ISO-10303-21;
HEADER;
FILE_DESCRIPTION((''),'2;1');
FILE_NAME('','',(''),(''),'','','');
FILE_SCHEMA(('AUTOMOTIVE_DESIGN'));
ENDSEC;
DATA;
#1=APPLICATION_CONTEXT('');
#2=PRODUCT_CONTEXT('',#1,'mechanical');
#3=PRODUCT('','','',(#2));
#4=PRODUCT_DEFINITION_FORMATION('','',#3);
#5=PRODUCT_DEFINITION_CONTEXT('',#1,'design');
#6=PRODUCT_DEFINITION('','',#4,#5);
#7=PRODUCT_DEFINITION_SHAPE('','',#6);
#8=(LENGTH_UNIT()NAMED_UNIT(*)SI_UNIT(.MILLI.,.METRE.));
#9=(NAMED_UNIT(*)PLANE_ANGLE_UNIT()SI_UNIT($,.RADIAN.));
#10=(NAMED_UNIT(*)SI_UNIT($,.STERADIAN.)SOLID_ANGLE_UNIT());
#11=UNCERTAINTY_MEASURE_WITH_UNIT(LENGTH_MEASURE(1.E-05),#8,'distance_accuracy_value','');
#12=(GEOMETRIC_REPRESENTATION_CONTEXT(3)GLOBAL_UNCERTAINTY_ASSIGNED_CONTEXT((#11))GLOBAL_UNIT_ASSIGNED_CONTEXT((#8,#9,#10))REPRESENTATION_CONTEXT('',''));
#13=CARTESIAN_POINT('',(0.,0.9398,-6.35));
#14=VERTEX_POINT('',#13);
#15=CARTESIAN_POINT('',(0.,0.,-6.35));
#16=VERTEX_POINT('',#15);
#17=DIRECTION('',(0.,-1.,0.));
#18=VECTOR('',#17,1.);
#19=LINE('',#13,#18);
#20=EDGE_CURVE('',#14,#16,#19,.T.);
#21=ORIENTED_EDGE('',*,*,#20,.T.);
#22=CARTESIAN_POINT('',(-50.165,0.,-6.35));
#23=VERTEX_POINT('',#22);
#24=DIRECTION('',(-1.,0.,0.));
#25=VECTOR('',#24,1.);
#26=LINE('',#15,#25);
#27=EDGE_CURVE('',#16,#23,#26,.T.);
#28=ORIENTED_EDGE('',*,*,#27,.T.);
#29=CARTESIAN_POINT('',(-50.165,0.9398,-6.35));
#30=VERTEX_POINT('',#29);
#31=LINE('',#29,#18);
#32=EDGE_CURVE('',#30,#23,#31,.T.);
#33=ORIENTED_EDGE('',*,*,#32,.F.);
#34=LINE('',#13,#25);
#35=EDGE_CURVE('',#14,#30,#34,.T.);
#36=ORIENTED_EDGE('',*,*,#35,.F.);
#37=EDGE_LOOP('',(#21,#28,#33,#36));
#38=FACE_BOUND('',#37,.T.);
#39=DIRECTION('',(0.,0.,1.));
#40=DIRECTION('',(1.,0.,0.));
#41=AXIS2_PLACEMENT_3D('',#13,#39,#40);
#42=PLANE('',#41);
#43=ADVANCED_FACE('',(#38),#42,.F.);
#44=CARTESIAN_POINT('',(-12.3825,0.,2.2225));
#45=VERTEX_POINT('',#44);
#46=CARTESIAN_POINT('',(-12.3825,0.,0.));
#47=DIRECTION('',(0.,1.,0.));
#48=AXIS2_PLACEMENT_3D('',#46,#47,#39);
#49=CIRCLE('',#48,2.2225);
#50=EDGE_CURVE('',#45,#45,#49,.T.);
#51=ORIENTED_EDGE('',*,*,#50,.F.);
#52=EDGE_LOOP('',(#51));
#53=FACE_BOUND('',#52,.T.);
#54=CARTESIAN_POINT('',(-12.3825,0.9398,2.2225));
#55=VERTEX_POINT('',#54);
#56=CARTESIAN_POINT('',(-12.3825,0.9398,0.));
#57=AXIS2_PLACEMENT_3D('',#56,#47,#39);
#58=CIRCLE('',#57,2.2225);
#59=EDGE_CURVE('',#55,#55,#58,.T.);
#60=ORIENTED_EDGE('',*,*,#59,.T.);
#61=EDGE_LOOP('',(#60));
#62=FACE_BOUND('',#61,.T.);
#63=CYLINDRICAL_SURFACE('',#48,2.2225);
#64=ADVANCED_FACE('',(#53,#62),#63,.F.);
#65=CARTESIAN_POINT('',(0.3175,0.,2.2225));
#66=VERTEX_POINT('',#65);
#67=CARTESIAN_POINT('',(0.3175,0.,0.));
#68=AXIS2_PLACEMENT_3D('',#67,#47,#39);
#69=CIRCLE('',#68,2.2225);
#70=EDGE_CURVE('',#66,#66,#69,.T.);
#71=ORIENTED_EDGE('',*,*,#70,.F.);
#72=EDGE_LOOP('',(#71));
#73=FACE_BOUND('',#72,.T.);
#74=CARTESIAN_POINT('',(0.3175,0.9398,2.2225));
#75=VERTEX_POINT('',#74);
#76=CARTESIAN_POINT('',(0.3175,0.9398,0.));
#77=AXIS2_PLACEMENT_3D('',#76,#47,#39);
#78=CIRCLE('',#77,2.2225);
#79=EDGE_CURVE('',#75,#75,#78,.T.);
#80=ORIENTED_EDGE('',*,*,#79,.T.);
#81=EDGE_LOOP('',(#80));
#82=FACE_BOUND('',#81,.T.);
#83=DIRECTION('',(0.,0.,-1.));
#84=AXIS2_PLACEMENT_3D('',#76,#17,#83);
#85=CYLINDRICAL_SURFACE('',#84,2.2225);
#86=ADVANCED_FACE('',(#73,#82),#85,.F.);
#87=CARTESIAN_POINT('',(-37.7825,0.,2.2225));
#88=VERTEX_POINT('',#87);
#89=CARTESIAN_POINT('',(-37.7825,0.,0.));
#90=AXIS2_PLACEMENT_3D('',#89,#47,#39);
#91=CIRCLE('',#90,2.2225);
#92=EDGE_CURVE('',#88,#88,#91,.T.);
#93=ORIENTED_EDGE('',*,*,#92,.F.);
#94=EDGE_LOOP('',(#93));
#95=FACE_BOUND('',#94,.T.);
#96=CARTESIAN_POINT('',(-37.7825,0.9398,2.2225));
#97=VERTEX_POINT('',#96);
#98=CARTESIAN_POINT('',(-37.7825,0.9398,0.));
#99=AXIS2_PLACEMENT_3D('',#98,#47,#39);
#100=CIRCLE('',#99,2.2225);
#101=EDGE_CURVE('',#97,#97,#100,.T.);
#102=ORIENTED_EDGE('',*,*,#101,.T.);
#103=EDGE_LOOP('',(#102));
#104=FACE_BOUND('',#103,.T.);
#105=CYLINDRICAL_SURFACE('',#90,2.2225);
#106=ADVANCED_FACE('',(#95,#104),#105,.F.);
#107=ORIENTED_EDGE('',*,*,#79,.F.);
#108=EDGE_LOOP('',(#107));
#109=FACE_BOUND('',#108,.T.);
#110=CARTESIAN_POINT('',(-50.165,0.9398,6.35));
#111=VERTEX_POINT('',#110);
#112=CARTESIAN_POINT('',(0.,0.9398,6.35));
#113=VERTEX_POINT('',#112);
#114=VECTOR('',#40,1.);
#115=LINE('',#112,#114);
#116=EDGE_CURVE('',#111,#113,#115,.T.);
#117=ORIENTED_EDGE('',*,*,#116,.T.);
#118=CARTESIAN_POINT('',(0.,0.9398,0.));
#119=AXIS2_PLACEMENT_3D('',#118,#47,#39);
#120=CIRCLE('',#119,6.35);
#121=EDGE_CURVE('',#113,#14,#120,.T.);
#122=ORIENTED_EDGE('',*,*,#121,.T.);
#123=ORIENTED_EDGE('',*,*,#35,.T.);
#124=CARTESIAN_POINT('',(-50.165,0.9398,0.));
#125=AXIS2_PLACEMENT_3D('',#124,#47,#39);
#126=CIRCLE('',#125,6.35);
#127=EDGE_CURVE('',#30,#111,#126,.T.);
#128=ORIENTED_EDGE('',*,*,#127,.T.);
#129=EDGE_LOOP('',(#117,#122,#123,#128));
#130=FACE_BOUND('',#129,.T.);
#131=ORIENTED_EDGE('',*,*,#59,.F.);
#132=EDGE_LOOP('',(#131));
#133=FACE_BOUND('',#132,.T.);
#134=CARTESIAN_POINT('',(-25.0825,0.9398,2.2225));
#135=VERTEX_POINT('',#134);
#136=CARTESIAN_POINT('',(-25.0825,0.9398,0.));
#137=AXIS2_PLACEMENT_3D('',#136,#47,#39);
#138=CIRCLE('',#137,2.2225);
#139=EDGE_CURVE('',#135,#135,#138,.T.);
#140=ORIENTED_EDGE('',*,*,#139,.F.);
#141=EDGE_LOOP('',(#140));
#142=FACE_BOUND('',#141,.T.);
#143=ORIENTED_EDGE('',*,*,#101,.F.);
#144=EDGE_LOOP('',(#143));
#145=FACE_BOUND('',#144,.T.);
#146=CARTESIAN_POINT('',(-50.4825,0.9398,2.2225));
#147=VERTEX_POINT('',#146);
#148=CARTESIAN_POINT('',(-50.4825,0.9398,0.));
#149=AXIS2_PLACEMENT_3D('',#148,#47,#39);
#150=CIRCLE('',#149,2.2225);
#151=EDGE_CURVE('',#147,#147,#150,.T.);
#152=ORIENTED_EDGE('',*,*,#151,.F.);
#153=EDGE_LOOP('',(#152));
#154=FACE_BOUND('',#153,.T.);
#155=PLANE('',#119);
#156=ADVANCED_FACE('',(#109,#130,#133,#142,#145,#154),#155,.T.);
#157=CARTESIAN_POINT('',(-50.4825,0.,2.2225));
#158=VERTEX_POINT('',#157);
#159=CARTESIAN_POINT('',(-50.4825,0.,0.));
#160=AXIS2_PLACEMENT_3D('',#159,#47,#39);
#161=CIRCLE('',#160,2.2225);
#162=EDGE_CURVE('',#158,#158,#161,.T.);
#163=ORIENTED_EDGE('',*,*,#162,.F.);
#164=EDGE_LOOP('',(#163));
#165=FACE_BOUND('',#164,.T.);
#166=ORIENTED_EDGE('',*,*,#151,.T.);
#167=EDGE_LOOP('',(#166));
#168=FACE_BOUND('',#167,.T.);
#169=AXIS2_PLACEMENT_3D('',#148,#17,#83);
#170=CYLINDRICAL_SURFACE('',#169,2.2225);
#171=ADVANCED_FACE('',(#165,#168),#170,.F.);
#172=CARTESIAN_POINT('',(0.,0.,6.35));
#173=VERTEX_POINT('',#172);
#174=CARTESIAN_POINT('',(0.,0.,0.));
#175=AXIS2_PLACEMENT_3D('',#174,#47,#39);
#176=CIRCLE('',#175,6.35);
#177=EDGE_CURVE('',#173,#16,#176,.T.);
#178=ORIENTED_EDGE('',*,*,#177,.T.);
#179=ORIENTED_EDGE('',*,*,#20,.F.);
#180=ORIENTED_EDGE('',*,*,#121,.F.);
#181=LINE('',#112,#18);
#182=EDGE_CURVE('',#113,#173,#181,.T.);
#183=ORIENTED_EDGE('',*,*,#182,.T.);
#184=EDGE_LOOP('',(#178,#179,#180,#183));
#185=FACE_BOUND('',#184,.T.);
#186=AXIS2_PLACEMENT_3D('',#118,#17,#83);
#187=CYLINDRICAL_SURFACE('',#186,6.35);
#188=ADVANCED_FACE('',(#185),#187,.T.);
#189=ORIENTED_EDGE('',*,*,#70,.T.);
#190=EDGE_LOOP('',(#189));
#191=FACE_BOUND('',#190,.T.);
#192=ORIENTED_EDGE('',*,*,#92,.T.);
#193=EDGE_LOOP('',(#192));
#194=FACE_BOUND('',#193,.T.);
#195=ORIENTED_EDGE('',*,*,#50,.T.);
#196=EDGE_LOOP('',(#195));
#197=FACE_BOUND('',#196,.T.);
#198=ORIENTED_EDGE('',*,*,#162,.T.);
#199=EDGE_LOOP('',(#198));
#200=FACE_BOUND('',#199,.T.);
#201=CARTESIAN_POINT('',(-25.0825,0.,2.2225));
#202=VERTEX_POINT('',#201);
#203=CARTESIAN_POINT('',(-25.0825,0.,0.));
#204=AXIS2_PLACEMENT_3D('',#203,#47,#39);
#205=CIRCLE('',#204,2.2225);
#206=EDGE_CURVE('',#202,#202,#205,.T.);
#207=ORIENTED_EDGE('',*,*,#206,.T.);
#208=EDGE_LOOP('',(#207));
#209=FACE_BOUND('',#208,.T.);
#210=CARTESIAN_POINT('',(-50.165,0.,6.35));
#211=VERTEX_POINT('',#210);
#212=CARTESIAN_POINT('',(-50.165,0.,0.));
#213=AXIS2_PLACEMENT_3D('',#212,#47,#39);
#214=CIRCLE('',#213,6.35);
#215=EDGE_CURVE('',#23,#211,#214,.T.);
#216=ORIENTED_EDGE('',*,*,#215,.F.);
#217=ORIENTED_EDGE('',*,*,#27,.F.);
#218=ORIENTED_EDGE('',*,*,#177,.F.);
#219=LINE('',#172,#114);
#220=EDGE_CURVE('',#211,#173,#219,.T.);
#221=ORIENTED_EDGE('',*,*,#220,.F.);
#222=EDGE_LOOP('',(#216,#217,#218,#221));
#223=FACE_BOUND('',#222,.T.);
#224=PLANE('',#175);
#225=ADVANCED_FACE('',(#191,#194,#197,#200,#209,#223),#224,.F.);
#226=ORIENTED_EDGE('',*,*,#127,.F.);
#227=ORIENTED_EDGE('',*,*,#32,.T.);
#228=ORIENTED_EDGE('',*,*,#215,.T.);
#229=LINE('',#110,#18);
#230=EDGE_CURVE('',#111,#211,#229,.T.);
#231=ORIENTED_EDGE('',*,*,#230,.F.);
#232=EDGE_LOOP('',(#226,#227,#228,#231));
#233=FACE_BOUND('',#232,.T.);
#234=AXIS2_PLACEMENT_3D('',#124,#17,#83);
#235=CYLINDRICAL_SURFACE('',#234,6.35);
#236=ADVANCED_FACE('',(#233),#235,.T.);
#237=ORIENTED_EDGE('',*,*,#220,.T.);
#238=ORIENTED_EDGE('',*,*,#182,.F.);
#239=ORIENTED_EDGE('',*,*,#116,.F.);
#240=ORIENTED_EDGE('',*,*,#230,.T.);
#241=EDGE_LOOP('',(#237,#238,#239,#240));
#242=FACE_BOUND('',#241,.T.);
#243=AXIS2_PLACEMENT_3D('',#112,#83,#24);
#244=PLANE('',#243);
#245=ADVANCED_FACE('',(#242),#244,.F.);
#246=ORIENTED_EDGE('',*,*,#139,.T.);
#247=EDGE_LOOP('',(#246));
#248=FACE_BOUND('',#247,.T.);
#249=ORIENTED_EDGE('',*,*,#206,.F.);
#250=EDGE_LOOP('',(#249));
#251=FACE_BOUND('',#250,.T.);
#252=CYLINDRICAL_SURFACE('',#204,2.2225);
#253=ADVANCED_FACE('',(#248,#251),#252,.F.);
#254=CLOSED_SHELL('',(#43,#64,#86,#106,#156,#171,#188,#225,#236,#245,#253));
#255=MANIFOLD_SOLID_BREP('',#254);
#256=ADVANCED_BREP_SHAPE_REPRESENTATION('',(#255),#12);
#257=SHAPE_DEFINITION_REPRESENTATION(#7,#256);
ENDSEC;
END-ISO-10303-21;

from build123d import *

# Parameters (mm, degrees)
SKETCH1_R                = 2.2225
BAR_DEPTH                = 0.9398
SKETCH2_R                = 2.2225
CENTER_HOLE_DEPTH        = 57.878387363
OTHER_CENTER_HOLES_COUNT = 3
OTHER_CENTER_HOLES_PITCH = 12.7


with BuildPart() as part:
    # Sketch1 → Bar (new body)
    with BuildSketch(Plane(origin=(0, 0, 0), x_dir=(-1, 0, 0), z_dir=(0, 1, 0))):
        with BuildLine():
            Line((50.165, 6.35), (0, 6.35))
            ThreePointArc((0, 6.35), (-6.35, 0), (0, -6.35))
            Line((0, -6.35), (50.165, -6.35))
            ThreePointArc((50.165, -6.35), (56.515, 0), (50.165, 6.35))
        make_face()
        with Locations(Location((50.4825, 0, 0), (0, 0, 90))):
            Circle(SKETCH1_R, mode=Mode.SUBTRACT)
        with Locations(Location((-0.3175, 0, 0), (0, 0, 90))):
            Circle(SKETCH1_R, mode=Mode.SUBTRACT)
    extrude(amount=BAR_DEPTH)

    # Sketch2 → Center Hole (cut, through all)
    with BuildSketch(Plane(origin=(0, 0.9398, 0), x_dir=(1, 0, 0), z_dir=(0, 1, 0))):
        with Locations(Location((-37.7825, 0, 0), (0, 0, 270))):
            Circle(SKETCH2_R)
    center_hole = extrude(amount=-CENTER_HOLE_DEPTH, mode=Mode.SUBTRACT)

    # Other Center Holes: Center Hole ×3
    with Locations(*[(i * OTHER_CENTER_HOLES_PITCH, 0, 0) for i in range(1, OTHER_CENTER_HOLES_COUNT)]):
        add(center_hole, mode=Mode.SUBTRACT)


solid = part.part
